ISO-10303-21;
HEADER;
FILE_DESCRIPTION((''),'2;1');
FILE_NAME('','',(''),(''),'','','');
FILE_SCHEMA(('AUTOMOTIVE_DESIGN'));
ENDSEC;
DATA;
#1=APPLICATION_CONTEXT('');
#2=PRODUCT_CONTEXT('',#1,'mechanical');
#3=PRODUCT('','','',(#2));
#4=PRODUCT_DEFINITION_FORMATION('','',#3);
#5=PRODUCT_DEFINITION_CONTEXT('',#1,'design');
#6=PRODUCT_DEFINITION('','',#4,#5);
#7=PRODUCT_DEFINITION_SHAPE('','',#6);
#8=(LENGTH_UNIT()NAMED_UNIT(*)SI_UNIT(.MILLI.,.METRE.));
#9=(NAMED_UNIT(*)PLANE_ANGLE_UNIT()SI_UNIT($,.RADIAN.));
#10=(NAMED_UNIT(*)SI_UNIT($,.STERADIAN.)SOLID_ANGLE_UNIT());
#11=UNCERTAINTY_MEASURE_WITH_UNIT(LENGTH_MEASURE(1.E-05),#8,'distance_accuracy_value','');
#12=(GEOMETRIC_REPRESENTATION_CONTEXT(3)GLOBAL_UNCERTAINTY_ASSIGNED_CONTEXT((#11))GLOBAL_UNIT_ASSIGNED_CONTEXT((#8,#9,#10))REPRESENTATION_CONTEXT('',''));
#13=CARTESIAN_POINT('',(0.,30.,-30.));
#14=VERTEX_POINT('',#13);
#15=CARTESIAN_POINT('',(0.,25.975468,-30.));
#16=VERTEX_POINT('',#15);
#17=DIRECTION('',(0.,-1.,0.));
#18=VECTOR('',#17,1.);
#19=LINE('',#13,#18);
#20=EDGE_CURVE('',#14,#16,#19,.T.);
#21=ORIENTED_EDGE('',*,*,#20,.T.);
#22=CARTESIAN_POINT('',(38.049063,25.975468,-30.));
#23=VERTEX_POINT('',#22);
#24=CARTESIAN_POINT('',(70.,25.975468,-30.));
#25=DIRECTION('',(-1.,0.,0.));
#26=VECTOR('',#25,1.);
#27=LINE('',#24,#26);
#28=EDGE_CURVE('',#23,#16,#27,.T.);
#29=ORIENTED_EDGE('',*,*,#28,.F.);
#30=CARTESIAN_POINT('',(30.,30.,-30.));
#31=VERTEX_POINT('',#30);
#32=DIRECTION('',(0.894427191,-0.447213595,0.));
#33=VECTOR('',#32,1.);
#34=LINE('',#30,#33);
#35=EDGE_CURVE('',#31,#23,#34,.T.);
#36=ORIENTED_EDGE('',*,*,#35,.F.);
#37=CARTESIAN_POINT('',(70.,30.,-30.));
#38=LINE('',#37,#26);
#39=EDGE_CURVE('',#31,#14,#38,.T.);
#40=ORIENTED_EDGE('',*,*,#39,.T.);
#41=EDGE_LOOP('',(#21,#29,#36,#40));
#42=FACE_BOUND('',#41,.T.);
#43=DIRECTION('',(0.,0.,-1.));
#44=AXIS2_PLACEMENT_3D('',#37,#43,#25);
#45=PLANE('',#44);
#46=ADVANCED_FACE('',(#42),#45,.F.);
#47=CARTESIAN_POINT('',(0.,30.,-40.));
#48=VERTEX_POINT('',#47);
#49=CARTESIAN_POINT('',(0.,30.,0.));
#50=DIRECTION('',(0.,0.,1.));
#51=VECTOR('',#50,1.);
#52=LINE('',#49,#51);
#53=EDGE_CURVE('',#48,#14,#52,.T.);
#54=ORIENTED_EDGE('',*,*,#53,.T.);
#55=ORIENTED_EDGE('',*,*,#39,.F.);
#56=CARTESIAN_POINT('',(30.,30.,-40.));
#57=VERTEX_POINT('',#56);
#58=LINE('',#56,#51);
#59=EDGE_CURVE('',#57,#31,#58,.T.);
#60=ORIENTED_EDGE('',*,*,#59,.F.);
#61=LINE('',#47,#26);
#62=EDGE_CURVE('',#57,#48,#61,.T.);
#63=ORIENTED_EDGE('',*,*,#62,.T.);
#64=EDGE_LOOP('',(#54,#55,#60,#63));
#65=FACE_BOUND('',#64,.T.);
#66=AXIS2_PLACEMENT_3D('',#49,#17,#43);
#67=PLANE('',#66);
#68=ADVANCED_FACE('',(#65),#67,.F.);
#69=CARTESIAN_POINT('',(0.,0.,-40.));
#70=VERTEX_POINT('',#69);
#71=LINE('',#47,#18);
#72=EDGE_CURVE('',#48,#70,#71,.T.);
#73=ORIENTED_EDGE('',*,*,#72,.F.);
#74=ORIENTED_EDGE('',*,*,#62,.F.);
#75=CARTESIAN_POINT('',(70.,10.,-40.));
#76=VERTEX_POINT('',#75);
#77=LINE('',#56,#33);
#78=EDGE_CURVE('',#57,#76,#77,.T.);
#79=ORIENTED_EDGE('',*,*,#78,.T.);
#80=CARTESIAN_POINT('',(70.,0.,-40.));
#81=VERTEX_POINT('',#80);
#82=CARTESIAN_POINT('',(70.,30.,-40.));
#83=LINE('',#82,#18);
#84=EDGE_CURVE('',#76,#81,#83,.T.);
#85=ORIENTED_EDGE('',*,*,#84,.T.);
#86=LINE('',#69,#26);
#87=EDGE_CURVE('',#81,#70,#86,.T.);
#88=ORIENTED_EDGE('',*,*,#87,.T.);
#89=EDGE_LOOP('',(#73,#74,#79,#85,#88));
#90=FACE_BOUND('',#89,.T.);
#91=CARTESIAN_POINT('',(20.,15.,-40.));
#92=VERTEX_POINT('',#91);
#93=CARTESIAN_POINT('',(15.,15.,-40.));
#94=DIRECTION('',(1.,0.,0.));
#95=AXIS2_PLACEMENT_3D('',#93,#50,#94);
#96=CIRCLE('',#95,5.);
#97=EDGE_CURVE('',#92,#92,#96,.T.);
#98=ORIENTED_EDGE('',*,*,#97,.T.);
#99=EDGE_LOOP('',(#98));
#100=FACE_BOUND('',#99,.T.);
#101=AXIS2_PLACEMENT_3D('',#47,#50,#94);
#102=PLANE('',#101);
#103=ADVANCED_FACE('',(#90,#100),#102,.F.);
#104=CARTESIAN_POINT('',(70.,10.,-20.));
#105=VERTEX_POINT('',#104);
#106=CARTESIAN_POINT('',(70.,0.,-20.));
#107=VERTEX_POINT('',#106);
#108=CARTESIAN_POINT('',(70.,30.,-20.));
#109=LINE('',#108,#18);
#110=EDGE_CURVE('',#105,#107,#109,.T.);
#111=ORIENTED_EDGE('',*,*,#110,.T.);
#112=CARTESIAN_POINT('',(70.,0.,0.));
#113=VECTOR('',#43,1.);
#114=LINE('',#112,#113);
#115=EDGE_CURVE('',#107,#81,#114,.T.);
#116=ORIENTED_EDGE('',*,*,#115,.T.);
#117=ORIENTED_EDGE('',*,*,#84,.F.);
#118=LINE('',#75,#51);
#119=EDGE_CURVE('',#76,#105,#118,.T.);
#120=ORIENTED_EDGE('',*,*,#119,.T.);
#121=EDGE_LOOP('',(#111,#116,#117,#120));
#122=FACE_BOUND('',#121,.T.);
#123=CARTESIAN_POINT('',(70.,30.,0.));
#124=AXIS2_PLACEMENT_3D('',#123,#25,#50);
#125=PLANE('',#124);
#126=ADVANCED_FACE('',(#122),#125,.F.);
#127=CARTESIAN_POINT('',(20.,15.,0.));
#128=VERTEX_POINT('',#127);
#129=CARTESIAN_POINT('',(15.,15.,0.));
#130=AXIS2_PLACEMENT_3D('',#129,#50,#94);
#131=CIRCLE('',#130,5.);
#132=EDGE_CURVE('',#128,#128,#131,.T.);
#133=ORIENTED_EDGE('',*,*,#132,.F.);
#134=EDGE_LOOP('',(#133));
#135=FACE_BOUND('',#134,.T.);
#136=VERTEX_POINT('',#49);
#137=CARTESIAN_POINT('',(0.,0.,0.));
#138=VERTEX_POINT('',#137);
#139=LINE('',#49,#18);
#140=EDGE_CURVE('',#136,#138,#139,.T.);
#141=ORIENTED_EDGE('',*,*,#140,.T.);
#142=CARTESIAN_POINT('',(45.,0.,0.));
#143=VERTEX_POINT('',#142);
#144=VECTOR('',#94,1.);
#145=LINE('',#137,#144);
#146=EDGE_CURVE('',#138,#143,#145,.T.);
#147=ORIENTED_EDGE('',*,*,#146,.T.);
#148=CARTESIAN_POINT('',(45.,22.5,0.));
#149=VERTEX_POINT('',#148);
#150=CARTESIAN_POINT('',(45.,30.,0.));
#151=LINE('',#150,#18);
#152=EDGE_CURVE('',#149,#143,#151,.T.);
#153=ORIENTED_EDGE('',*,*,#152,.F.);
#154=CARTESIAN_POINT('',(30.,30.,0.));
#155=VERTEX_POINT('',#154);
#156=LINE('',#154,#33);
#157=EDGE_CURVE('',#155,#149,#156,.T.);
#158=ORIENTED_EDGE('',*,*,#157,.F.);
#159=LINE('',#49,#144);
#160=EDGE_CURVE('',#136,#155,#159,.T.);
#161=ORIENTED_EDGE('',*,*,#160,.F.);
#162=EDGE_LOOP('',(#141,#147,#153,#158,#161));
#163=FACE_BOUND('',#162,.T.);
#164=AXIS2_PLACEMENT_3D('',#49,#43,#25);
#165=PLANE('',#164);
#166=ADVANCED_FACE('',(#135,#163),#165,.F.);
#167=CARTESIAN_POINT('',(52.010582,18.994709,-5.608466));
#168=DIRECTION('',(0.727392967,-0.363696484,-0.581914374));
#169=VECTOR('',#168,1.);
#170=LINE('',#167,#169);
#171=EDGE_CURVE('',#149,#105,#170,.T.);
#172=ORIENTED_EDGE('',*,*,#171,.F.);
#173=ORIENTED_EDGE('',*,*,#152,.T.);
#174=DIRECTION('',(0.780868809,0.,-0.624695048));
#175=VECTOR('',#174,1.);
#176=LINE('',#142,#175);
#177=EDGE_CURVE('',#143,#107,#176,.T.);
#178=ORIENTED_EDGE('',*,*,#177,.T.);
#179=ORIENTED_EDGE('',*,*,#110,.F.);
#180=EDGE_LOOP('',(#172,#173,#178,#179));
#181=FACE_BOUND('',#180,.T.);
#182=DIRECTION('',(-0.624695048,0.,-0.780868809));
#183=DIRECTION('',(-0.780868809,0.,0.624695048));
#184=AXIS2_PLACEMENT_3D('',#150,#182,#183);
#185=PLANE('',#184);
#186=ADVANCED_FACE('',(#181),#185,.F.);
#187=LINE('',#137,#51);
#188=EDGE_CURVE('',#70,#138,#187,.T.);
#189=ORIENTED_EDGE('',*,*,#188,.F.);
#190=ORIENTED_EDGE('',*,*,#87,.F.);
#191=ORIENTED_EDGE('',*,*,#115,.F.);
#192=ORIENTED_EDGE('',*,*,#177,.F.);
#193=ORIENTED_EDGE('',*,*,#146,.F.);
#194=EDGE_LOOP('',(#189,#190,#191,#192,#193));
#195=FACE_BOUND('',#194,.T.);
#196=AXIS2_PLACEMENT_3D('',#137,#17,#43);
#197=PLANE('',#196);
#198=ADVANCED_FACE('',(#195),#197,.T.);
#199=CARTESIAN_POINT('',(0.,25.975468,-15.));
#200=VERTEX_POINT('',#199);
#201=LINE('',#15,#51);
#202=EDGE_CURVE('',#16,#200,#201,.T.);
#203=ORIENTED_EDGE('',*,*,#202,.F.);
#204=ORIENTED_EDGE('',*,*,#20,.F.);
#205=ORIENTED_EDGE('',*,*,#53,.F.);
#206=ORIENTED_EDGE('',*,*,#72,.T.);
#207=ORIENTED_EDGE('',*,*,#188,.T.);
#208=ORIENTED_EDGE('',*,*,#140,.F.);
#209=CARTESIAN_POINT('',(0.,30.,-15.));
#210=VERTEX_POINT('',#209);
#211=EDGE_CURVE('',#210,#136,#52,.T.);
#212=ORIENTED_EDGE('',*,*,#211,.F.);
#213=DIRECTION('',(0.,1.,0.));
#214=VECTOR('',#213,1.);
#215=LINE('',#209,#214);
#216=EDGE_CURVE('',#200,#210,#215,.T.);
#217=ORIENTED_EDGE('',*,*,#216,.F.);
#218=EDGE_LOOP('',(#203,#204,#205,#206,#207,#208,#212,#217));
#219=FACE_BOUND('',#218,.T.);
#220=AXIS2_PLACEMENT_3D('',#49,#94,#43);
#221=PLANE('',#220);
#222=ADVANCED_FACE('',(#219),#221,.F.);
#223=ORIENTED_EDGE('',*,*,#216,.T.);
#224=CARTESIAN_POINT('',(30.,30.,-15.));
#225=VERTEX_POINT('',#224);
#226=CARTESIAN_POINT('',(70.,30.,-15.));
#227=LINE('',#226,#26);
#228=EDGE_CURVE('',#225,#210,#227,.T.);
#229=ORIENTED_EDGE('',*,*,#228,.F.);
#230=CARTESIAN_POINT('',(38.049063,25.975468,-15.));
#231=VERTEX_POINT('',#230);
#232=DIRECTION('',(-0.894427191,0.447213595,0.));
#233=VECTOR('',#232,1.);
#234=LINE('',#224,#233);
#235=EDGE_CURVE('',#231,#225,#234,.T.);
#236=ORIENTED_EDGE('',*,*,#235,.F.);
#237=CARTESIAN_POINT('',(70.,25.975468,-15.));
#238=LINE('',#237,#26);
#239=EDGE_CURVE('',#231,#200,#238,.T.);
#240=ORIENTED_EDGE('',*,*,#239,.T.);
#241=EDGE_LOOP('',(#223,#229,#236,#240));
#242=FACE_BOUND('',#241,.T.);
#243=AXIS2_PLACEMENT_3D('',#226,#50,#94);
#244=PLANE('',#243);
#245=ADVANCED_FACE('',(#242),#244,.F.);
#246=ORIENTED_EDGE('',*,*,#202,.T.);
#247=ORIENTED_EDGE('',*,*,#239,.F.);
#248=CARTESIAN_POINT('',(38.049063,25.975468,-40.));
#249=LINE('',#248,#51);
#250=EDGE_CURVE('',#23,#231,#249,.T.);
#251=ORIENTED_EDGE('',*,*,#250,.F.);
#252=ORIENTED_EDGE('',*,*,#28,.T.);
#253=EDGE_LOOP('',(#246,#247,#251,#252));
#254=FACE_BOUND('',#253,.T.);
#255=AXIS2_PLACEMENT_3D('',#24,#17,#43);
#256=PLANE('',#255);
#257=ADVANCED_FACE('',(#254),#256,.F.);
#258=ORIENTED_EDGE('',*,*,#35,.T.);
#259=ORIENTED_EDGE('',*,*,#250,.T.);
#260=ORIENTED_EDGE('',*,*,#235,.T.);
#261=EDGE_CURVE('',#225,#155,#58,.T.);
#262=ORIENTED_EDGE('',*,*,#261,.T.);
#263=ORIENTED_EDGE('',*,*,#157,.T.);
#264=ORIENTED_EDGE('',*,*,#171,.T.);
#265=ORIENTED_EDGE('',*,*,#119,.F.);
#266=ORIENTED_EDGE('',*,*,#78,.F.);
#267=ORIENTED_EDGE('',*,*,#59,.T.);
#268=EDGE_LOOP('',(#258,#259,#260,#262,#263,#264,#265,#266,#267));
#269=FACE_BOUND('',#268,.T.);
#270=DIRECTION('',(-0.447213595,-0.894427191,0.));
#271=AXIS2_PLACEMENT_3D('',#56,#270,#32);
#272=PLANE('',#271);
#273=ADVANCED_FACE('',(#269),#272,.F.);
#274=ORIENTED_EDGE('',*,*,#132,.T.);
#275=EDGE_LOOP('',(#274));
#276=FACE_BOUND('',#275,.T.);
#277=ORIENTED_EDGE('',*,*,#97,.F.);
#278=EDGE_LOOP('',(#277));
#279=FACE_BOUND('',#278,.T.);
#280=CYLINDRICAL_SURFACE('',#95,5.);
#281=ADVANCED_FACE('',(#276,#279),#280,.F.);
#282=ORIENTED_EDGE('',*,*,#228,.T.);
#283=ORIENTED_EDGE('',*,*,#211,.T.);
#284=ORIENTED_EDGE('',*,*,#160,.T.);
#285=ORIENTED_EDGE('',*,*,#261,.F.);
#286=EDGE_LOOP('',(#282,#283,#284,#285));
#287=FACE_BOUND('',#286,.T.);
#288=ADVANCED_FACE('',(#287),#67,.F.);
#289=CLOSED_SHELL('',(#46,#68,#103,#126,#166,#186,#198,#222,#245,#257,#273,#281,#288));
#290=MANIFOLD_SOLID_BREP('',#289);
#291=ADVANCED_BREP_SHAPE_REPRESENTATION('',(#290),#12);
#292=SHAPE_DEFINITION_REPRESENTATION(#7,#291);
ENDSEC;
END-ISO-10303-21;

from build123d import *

# Parameters (mm, degrees)
SKETCH1_W           = 70
SKETCH1_H           = 40
BOSS_EXTRUDE1_DEPTH = 30
CUT_EXTRUDE1_DEPTH  = 41
CUT_EXTRUDE2_DEPTH  = 31
SKETCH4_W           = 15
SKETCH4_H           = 4.024531718
CUT_EXTRUDE3_DEPTH  = 71
SKETCH5_R           = 5
CUT_EXTRUDE4_DEPTH  = 41


with BuildPart() as part:
    # Sketch1 → Boss-Extrude1 (new body)
    with BuildSketch(Plane(origin=(0, 0, 0), x_dir=(1, 0, 0), z_dir=(0, 1, 0))):
        with Locations((35, 20)):
            Rectangle(SKETCH1_W, SKETCH1_H)
    extrude(amount=BOSS_EXTRUDE1_DEPTH)

    # Sketch2 → Cut-Extrude1 (cut, through all)
    with BuildSketch(Plane.XY):
        Polygon((70, 30), (30, 30), (70, 10), align=None)
    extrude(amount=-CUT_EXTRUDE1_DEPTH, mode=Mode.SUBTRACT)

    # Sketch3 → Cut-Extrude2 (cut, through all)
    with BuildSketch(Plane(origin=(0, 0, 0), x_dir=(-1, 0, 0), z_dir=(0, -1, 0))):
        Polygon((-70, 0), (-45, 0), (-70, 20), align=None)
    extrude(amount=-CUT_EXTRUDE2_DEPTH, mode=Mode.SUBTRACT)

    # Sketch4 → Cut-Extrude3 (cut, through all)
    with BuildSketch(Plane.ZY):
        with Locations((-22.5, 27.987734141)):
            Rectangle(SKETCH4_W, SKETCH4_H)
    extrude(amount=-CUT_EXTRUDE3_DEPTH, mode=Mode.SUBTRACT)

    # Sketch5 → Cut-Extrude4 (cut, through all)
    with BuildSketch(Plane.XY):
        with Locations((15, 15)):
            Circle(SKETCH5_R)
    extrude(amount=-CUT_EXTRUDE4_DEPTH, mode=Mode.SUBTRACT)


solid = part.part
